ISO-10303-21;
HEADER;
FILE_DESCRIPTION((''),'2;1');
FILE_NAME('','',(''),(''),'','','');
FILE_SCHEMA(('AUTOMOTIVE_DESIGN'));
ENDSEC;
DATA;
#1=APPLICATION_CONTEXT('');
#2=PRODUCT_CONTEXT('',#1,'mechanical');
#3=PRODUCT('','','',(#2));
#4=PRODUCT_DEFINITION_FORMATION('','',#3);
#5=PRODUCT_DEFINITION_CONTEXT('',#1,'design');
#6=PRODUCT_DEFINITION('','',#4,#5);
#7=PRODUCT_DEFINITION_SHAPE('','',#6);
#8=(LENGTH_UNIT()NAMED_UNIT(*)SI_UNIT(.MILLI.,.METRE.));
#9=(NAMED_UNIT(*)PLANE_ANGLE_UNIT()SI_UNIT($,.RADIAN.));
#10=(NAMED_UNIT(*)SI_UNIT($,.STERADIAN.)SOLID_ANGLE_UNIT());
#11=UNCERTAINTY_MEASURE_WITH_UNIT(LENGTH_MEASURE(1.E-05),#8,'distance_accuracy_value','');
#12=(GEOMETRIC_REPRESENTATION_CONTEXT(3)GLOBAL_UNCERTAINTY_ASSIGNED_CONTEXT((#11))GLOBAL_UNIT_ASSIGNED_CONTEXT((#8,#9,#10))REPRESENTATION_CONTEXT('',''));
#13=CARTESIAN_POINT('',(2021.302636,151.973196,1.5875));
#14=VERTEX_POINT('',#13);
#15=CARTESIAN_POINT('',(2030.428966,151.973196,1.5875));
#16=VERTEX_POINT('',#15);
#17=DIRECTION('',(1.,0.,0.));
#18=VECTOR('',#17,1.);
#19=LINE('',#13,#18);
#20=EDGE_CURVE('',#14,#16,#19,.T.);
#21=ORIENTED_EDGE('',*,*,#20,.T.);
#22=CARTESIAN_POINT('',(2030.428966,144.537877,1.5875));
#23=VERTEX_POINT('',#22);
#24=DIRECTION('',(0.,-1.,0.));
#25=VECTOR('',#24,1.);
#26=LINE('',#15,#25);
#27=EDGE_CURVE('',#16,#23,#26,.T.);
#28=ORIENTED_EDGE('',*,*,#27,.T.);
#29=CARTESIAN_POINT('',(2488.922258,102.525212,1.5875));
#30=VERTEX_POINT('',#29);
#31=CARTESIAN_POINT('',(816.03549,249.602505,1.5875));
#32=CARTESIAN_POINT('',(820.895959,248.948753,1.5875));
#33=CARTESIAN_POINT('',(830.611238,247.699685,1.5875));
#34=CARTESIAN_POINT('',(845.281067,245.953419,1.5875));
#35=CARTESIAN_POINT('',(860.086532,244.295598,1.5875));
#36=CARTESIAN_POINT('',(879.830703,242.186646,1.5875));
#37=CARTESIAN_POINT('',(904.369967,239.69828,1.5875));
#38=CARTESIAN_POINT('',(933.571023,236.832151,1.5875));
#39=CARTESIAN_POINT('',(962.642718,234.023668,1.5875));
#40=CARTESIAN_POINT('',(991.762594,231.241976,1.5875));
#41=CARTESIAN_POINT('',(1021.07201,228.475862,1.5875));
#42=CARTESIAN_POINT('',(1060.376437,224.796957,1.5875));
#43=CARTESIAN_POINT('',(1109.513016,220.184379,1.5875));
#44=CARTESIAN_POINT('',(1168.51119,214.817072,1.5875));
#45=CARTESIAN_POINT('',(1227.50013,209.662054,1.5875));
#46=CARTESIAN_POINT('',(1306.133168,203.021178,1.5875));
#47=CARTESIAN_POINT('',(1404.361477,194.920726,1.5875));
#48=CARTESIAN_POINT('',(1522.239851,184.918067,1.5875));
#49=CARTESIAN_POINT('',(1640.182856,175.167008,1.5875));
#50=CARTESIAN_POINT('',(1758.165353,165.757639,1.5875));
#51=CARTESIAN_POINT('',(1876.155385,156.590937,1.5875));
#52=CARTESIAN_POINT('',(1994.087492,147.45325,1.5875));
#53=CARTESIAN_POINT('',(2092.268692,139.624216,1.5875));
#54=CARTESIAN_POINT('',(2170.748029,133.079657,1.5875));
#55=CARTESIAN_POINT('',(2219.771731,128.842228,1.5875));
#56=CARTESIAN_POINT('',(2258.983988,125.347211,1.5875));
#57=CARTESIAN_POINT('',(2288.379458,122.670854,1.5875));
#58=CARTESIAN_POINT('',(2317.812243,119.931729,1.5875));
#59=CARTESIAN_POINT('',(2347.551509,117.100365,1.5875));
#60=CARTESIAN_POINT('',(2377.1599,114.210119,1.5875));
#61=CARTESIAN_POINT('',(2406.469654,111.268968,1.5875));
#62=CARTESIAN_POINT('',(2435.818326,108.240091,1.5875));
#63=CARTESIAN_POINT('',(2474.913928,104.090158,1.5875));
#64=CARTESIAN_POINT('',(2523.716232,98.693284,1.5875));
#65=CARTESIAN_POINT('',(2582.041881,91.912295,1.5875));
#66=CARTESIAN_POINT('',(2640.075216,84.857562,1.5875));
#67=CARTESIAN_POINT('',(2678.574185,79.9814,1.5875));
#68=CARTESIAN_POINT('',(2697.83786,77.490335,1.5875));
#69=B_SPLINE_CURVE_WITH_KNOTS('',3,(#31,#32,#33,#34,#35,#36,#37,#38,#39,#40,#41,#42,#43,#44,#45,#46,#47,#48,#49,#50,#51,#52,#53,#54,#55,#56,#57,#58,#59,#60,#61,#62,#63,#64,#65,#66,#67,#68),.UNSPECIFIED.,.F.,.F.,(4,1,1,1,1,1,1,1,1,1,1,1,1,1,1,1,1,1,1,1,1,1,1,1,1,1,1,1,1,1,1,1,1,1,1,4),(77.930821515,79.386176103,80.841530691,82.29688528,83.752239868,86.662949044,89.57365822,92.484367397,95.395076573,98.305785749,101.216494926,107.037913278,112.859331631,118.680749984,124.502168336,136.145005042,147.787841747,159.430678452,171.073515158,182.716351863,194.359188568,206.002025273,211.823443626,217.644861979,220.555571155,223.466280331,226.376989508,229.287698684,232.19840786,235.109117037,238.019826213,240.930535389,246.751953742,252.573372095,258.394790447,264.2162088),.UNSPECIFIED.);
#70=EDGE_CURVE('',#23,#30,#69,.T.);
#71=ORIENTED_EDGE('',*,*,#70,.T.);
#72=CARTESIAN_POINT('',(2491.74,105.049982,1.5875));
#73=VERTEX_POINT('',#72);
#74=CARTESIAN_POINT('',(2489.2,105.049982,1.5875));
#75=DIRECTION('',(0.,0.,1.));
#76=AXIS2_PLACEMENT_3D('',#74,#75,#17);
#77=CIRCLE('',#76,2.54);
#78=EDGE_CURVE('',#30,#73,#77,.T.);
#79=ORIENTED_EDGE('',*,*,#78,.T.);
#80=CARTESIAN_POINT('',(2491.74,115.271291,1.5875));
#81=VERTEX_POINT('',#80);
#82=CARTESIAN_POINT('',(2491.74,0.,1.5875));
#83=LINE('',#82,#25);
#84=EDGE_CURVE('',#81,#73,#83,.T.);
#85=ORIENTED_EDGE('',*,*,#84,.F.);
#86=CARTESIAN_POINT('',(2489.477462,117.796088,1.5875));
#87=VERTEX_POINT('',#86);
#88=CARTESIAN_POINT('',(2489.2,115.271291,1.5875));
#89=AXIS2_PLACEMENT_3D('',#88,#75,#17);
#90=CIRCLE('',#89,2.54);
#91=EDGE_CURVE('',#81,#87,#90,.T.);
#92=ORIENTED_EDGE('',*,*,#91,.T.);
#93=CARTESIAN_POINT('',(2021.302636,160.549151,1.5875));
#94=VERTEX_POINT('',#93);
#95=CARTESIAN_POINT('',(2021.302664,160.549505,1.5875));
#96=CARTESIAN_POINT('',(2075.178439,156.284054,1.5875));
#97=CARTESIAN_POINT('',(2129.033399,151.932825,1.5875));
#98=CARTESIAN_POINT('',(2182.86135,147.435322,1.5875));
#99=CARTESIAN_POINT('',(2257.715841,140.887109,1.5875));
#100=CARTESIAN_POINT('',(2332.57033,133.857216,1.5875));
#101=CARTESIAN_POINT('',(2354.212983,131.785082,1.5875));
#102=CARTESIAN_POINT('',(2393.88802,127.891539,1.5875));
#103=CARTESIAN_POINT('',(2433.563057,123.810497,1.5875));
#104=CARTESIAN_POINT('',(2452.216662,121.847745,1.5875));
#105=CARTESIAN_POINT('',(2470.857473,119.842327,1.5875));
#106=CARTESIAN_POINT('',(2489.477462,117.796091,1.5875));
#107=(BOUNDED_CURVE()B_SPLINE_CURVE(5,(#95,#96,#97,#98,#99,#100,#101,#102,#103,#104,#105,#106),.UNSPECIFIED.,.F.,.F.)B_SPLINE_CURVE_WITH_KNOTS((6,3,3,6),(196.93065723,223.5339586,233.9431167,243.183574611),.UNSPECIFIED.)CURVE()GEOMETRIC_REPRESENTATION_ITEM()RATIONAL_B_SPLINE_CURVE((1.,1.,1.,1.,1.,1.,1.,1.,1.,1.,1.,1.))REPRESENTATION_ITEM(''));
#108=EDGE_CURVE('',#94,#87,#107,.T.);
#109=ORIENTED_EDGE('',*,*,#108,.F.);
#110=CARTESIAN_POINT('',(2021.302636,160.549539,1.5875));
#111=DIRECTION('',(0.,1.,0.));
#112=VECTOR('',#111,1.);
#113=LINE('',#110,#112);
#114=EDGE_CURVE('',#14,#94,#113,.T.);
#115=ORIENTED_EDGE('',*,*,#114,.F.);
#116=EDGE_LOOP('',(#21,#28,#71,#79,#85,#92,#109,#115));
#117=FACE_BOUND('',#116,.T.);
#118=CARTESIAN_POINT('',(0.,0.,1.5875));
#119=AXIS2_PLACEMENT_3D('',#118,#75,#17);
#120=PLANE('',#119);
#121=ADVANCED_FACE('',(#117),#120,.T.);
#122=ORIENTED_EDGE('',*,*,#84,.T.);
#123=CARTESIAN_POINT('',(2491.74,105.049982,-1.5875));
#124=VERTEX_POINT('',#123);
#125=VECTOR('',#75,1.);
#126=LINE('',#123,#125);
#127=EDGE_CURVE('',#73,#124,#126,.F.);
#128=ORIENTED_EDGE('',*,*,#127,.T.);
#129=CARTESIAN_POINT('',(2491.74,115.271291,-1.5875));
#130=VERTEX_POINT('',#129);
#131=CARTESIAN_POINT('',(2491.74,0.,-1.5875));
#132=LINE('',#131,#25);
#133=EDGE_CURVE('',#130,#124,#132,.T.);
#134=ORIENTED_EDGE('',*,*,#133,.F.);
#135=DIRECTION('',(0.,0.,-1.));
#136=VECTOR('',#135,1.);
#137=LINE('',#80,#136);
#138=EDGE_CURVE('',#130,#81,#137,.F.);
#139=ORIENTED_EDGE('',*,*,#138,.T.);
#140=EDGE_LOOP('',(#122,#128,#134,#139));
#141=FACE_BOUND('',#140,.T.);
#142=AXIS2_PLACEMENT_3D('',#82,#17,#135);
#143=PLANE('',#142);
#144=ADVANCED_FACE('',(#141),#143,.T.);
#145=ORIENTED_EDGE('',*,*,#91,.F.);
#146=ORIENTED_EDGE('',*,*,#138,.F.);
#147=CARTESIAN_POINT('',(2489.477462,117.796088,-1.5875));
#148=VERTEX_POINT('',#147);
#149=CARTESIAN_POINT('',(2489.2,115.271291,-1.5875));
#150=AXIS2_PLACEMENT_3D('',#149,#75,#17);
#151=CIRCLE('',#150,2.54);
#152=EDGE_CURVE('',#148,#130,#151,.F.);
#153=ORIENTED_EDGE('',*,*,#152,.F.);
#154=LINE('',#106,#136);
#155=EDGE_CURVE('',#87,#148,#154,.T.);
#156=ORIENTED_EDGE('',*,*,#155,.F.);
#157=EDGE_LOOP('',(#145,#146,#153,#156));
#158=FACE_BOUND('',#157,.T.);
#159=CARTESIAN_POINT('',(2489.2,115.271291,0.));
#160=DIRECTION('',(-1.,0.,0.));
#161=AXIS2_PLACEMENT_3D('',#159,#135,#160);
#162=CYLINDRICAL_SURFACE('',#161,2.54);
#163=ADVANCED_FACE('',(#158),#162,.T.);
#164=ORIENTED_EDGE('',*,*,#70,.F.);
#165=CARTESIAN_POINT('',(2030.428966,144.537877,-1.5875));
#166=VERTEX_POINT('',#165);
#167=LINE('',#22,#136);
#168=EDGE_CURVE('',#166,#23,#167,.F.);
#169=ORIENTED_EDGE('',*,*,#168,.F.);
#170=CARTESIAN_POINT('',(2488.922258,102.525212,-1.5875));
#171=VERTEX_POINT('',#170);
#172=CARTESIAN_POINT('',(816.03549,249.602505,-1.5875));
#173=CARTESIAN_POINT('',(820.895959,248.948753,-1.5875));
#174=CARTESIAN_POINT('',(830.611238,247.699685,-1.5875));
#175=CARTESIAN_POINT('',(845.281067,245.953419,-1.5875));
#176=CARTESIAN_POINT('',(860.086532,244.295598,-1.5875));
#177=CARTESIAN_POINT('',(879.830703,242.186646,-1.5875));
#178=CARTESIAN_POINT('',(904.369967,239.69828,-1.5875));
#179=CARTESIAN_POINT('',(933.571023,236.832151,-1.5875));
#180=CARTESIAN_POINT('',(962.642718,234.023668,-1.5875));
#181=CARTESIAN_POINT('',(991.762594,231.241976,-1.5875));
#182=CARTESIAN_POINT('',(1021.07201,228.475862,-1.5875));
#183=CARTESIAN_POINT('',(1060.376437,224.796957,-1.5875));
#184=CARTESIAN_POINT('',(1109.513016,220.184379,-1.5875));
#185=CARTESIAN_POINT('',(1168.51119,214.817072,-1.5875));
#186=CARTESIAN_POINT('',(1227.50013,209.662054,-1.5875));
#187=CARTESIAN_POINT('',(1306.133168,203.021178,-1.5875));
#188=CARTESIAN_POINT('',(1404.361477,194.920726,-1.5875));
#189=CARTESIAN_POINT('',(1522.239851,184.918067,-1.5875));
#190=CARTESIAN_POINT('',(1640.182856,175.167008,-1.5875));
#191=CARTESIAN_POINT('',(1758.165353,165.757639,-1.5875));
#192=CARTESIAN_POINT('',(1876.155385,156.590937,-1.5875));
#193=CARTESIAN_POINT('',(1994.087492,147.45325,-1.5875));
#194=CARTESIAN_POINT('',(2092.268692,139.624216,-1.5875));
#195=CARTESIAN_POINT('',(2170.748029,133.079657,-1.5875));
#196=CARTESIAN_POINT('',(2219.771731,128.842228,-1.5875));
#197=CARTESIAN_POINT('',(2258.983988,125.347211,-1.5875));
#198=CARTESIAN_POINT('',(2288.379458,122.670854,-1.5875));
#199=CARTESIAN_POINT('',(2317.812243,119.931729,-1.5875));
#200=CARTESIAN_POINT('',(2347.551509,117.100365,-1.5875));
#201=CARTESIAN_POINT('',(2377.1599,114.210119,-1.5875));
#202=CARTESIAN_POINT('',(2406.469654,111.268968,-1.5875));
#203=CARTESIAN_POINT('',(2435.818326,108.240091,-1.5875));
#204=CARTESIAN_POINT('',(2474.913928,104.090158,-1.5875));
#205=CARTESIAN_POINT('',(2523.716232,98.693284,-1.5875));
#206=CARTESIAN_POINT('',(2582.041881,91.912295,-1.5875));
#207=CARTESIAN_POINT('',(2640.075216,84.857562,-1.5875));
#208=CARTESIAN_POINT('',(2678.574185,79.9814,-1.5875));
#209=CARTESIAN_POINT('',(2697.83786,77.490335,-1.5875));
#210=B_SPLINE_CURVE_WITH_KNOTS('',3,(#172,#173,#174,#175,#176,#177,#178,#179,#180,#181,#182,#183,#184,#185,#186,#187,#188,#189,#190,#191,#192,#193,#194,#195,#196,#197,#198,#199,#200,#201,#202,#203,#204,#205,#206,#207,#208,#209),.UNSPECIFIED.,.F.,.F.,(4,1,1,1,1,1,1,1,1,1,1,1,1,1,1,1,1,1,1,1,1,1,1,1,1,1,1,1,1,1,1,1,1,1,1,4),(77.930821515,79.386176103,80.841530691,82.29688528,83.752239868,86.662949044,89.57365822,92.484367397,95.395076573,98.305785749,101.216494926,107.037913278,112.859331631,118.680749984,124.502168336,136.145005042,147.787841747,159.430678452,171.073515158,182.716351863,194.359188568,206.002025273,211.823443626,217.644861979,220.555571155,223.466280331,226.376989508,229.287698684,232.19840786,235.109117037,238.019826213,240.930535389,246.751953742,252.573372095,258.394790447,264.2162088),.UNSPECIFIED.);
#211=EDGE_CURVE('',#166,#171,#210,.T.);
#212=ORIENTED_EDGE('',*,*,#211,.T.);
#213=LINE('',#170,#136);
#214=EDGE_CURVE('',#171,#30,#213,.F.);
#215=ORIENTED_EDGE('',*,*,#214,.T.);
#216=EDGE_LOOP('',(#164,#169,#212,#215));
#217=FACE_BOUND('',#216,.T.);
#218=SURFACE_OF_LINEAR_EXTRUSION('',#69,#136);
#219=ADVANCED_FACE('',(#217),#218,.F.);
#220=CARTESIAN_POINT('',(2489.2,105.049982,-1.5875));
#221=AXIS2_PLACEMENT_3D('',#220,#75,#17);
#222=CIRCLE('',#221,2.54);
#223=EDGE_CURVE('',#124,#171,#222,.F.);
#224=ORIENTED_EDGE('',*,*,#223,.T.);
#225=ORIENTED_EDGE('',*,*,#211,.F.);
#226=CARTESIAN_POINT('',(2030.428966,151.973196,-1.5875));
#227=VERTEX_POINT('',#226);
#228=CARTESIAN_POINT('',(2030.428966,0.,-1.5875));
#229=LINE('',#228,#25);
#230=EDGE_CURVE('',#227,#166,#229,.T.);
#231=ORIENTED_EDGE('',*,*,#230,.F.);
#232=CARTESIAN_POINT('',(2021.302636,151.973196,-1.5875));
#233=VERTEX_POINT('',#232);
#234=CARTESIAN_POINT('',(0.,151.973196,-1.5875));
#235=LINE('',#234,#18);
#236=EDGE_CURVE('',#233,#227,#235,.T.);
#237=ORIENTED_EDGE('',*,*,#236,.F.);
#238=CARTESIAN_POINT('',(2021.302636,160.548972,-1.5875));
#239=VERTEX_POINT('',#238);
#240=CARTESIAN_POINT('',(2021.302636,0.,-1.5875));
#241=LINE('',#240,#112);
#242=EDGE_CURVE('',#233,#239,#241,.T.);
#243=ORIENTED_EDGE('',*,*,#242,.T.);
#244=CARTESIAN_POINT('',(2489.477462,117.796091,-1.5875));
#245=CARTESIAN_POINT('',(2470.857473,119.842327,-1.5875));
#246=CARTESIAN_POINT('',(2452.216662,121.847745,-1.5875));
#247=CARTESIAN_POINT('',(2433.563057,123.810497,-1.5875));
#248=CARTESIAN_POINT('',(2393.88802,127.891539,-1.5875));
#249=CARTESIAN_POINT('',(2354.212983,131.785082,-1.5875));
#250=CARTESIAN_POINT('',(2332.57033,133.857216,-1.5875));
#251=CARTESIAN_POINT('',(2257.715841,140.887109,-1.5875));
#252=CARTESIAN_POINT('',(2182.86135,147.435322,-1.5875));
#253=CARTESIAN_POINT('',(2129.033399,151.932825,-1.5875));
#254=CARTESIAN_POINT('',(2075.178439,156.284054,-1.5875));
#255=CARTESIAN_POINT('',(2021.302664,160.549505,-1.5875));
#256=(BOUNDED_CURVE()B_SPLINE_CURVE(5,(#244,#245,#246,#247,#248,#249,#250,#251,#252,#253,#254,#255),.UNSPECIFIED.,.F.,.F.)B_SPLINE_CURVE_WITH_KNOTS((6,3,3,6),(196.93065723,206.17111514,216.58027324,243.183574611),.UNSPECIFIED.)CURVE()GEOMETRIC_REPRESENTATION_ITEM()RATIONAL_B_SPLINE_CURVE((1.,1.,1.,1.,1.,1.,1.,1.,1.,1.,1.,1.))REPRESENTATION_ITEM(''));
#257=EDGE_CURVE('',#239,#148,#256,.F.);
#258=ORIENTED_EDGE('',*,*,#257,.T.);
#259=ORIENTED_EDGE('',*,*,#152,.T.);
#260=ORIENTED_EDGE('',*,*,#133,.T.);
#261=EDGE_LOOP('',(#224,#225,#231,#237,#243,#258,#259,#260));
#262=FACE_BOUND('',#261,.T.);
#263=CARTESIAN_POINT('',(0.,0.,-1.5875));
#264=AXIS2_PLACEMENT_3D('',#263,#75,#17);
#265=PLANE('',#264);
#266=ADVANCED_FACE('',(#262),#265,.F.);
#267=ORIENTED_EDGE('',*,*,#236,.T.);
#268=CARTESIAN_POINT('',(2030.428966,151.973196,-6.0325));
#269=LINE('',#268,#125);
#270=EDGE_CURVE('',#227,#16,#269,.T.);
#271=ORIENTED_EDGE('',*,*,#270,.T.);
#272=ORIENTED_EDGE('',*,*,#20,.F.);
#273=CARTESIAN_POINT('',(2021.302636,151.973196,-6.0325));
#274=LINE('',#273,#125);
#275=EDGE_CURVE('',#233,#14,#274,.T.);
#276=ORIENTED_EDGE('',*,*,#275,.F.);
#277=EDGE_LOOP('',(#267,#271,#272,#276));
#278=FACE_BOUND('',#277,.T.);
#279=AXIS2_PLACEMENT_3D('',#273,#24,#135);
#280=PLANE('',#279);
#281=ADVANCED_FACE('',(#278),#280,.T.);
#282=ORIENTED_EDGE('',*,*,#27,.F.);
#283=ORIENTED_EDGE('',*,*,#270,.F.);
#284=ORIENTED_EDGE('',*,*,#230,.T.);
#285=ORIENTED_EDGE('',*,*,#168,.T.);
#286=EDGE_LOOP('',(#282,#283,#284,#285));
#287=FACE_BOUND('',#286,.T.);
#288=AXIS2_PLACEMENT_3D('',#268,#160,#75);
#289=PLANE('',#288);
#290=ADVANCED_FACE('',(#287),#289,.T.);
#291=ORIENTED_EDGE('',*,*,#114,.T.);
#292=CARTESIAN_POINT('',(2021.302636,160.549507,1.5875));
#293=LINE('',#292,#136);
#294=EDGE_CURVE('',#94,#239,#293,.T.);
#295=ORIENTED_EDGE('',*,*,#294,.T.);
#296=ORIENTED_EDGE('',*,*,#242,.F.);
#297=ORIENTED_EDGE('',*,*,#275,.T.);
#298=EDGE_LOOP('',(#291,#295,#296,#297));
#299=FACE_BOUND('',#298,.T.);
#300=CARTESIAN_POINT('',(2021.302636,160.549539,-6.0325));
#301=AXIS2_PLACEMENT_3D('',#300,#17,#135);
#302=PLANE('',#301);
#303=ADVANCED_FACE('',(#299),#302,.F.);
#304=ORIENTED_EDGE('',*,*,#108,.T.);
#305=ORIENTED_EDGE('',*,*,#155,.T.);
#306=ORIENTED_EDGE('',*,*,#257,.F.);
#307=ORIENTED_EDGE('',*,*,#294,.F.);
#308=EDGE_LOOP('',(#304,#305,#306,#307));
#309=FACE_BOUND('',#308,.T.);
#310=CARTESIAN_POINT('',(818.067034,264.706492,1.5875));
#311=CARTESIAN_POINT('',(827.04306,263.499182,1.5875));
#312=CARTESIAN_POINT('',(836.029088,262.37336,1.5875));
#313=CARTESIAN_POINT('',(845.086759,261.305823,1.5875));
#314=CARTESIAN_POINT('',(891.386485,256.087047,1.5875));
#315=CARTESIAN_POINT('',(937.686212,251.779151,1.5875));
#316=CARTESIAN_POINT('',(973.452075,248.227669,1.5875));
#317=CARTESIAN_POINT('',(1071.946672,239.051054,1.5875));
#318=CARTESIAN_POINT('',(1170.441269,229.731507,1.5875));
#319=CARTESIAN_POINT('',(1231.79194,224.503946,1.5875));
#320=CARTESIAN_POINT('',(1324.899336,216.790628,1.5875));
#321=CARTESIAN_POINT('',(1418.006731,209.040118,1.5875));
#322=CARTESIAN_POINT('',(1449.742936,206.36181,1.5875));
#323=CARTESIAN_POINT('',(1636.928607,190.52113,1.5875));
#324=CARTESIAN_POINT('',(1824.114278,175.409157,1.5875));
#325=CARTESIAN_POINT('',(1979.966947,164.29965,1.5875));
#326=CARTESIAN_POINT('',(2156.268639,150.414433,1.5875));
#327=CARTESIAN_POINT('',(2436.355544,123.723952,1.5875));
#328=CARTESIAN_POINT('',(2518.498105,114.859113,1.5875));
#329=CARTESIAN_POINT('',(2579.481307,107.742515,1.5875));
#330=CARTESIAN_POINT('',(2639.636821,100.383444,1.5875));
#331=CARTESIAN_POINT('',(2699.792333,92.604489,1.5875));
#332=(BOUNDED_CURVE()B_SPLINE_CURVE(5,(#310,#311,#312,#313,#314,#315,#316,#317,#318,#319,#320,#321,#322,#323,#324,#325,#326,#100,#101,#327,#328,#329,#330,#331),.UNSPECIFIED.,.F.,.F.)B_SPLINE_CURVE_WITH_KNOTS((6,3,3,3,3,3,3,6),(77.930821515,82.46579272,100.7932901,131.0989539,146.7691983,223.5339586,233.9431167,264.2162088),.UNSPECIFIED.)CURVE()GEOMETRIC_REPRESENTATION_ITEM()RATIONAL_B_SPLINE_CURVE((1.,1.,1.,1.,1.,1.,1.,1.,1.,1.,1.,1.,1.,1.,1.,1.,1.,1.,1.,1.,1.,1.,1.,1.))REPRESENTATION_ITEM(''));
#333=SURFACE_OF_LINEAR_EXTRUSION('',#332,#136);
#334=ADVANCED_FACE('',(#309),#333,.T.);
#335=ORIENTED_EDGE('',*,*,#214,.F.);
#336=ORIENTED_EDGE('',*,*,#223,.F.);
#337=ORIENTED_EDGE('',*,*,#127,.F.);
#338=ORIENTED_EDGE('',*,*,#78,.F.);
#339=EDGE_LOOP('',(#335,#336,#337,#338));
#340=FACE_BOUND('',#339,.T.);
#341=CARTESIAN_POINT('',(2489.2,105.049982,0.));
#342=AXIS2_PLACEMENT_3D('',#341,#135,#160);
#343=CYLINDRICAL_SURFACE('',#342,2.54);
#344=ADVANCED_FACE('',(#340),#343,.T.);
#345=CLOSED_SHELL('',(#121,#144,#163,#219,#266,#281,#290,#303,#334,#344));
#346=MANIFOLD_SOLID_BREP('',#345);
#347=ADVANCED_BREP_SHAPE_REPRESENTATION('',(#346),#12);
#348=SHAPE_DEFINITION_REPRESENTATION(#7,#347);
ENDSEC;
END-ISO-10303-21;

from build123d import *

# Parameters (mm, degrees)
BOSS_EXTRUDE1_DEPTH = 1.5875
FILLET1_R           = 2.54
CUT_EXTRUDE1_DEPTH  = 7.62


with BuildPart() as part:
    # Sketch2 → Boss-Extrude1 (new body, symmetric)
    with BuildSketch(Plane.XY):
        with BuildLine():
            add(Edge.make_bspline(
                [(825.5, 263.72872798), (833.004293944, 262.763036085), (840.535916247, 261.846014478), (848.126574562, 260.964164828), (892.90639318, 255.945629274), (937.686211733, 251.779150949), (973.452075064, 248.227669425), (1071.946672141, 239.051054038), (1170.441269319, 229.731506738), (1231.791940344, 224.503945813), (1324.899336146, 216.790627817), (1418.006730935, 209.040117978), (1449.742935921, 206.361809936), (1636.928606778, 190.521130342), (1824.114277635, 175.409157235), (1979.966947376, 164.299650253), (2156.268639429, 150.414433314), (2332.570330468, 133.857216402), (2354.212983157, 131.78508222), (2394.341467798, 127.847039259), (2434.469952439, 123.717187755), (2453.57670361, 121.704562273), (2472.669581058, 119.647220503), (2491.74, 117.547195763)],
                knots=[78.681340958, 78.681340958, 78.681340958, 78.681340958, 78.681340958, 78.681340958, 82.46579272, 82.46579272, 82.46579272, 100.7932901, 100.7932901, 100.7932901, 131.0989539, 131.0989539, 131.0989539, 146.7691983, 146.7691983, 146.7691983, 223.5339586, 223.5339586, 223.5339586, 233.9431167, 233.9431167, 233.9431167, 243.40815085, 243.40815085, 243.40815085, 243.40815085, 243.40815085, 243.40815085], degree=5))
            Line((825.5, 263.72872798), (825.5, 248.364439806))
            add(Edge.make_bspline(
                [(825.5, 248.364439806), (827.20768691, 248.14708351), (833.784664511, 247.321927102), (845.28106727, 245.953419483), (860.086531547, 244.295598067), (879.830703434, 242.186646028), (904.369967092, 239.698279806), (933.571022669, 236.832150625), (962.642718041, 234.023667741), (991.762593943, 231.241975908), (1021.072010315, 228.475862291), (1060.376437315, 224.796956681), (1109.513015577, 220.184378862), (1168.511190361, 214.817071985), (1227.500129793, 209.662054042), (1306.133167947, 203.021178328), (1404.361477105, 194.920725932), (1522.239851071, 184.918066624), (1640.182856491, 175.167007786), (1758.165352567, 165.757639485), (1876.155384769, 156.590937079), (1994.08749188, 147.453250142), (2092.268692061, 139.624216053), (2170.748029042, 133.079656729), (2219.771730977, 128.842227836), (2258.983988247, 125.347211495), (2288.379457536, 122.670854497), (2317.812243116, 119.931729386), (2347.551509172, 117.100365283), (2377.159899727, 114.21011853), (2406.469653851, 111.26896801), (2435.81832606, 108.240091266), (2464.242715806, 105.222889554), (2482.876892709, 103.192325927), (2491.74, 102.214848055)],
                knots=[78.875303138, 78.875303138, 78.875303138, 78.875303138, 79.386176103, 80.841530691, 82.29688528, 83.752239868, 86.662949044, 89.57365822, 92.484367397, 95.395076573, 98.305785749, 101.216494926, 107.037913278, 112.859331631, 118.680749984, 124.502168336, 136.145005042, 147.787841747, 159.430678452, 171.073515158, 182.716351863, 194.359188568, 206.002025273, 211.823443626, 217.644861979, 220.555571155, 223.466280331, 226.376989508, 229.287698684, 232.19840786, 235.109117037, 238.019826213, 240.930535389, 243.57402126, 243.57402126, 243.57402126, 243.57402126], degree=3))
            Line((2491.74, 102.214848055), (2491.74, 117.547195763))
        make_face()
    extrude(amount=BOSS_EXTRUDE1_DEPTH, both=True)

    # Fillet1
    fillet1_edges = [part.edges().sort_by_distance(p)[0] for p in [
        (2491.74, 102.214848055, -0.79375),
        (2491.74, 117.547195763, -0.79375),
        (825.5, 248.364439806, -0.79375),
        (825.5, 263.72872798, 0.79375),
    ]]
    fillet(fillet1_edges, radius=FILLET1_R)

    # Sketch3 → Cut-Extrude1 (cut)
    with BuildSketch(Plane.XY.offset(1.5875)):
        Polygon((2021.302635877, 160.549539386), (2021.302635877, 169.900353667), (799.626603734, 282.38943621), (799.626603734, 218.449722533), (2030.428965883, 140.193570719), (2030.428965883, 144.537877355), (2030.428965883, 151.973195802), (2021.302635877, 151.973195802), align=None)
    extrude(amount=-CUT_EXTRUDE1_DEPTH, mode=Mode.SUBTRACT)


solid = part.part
